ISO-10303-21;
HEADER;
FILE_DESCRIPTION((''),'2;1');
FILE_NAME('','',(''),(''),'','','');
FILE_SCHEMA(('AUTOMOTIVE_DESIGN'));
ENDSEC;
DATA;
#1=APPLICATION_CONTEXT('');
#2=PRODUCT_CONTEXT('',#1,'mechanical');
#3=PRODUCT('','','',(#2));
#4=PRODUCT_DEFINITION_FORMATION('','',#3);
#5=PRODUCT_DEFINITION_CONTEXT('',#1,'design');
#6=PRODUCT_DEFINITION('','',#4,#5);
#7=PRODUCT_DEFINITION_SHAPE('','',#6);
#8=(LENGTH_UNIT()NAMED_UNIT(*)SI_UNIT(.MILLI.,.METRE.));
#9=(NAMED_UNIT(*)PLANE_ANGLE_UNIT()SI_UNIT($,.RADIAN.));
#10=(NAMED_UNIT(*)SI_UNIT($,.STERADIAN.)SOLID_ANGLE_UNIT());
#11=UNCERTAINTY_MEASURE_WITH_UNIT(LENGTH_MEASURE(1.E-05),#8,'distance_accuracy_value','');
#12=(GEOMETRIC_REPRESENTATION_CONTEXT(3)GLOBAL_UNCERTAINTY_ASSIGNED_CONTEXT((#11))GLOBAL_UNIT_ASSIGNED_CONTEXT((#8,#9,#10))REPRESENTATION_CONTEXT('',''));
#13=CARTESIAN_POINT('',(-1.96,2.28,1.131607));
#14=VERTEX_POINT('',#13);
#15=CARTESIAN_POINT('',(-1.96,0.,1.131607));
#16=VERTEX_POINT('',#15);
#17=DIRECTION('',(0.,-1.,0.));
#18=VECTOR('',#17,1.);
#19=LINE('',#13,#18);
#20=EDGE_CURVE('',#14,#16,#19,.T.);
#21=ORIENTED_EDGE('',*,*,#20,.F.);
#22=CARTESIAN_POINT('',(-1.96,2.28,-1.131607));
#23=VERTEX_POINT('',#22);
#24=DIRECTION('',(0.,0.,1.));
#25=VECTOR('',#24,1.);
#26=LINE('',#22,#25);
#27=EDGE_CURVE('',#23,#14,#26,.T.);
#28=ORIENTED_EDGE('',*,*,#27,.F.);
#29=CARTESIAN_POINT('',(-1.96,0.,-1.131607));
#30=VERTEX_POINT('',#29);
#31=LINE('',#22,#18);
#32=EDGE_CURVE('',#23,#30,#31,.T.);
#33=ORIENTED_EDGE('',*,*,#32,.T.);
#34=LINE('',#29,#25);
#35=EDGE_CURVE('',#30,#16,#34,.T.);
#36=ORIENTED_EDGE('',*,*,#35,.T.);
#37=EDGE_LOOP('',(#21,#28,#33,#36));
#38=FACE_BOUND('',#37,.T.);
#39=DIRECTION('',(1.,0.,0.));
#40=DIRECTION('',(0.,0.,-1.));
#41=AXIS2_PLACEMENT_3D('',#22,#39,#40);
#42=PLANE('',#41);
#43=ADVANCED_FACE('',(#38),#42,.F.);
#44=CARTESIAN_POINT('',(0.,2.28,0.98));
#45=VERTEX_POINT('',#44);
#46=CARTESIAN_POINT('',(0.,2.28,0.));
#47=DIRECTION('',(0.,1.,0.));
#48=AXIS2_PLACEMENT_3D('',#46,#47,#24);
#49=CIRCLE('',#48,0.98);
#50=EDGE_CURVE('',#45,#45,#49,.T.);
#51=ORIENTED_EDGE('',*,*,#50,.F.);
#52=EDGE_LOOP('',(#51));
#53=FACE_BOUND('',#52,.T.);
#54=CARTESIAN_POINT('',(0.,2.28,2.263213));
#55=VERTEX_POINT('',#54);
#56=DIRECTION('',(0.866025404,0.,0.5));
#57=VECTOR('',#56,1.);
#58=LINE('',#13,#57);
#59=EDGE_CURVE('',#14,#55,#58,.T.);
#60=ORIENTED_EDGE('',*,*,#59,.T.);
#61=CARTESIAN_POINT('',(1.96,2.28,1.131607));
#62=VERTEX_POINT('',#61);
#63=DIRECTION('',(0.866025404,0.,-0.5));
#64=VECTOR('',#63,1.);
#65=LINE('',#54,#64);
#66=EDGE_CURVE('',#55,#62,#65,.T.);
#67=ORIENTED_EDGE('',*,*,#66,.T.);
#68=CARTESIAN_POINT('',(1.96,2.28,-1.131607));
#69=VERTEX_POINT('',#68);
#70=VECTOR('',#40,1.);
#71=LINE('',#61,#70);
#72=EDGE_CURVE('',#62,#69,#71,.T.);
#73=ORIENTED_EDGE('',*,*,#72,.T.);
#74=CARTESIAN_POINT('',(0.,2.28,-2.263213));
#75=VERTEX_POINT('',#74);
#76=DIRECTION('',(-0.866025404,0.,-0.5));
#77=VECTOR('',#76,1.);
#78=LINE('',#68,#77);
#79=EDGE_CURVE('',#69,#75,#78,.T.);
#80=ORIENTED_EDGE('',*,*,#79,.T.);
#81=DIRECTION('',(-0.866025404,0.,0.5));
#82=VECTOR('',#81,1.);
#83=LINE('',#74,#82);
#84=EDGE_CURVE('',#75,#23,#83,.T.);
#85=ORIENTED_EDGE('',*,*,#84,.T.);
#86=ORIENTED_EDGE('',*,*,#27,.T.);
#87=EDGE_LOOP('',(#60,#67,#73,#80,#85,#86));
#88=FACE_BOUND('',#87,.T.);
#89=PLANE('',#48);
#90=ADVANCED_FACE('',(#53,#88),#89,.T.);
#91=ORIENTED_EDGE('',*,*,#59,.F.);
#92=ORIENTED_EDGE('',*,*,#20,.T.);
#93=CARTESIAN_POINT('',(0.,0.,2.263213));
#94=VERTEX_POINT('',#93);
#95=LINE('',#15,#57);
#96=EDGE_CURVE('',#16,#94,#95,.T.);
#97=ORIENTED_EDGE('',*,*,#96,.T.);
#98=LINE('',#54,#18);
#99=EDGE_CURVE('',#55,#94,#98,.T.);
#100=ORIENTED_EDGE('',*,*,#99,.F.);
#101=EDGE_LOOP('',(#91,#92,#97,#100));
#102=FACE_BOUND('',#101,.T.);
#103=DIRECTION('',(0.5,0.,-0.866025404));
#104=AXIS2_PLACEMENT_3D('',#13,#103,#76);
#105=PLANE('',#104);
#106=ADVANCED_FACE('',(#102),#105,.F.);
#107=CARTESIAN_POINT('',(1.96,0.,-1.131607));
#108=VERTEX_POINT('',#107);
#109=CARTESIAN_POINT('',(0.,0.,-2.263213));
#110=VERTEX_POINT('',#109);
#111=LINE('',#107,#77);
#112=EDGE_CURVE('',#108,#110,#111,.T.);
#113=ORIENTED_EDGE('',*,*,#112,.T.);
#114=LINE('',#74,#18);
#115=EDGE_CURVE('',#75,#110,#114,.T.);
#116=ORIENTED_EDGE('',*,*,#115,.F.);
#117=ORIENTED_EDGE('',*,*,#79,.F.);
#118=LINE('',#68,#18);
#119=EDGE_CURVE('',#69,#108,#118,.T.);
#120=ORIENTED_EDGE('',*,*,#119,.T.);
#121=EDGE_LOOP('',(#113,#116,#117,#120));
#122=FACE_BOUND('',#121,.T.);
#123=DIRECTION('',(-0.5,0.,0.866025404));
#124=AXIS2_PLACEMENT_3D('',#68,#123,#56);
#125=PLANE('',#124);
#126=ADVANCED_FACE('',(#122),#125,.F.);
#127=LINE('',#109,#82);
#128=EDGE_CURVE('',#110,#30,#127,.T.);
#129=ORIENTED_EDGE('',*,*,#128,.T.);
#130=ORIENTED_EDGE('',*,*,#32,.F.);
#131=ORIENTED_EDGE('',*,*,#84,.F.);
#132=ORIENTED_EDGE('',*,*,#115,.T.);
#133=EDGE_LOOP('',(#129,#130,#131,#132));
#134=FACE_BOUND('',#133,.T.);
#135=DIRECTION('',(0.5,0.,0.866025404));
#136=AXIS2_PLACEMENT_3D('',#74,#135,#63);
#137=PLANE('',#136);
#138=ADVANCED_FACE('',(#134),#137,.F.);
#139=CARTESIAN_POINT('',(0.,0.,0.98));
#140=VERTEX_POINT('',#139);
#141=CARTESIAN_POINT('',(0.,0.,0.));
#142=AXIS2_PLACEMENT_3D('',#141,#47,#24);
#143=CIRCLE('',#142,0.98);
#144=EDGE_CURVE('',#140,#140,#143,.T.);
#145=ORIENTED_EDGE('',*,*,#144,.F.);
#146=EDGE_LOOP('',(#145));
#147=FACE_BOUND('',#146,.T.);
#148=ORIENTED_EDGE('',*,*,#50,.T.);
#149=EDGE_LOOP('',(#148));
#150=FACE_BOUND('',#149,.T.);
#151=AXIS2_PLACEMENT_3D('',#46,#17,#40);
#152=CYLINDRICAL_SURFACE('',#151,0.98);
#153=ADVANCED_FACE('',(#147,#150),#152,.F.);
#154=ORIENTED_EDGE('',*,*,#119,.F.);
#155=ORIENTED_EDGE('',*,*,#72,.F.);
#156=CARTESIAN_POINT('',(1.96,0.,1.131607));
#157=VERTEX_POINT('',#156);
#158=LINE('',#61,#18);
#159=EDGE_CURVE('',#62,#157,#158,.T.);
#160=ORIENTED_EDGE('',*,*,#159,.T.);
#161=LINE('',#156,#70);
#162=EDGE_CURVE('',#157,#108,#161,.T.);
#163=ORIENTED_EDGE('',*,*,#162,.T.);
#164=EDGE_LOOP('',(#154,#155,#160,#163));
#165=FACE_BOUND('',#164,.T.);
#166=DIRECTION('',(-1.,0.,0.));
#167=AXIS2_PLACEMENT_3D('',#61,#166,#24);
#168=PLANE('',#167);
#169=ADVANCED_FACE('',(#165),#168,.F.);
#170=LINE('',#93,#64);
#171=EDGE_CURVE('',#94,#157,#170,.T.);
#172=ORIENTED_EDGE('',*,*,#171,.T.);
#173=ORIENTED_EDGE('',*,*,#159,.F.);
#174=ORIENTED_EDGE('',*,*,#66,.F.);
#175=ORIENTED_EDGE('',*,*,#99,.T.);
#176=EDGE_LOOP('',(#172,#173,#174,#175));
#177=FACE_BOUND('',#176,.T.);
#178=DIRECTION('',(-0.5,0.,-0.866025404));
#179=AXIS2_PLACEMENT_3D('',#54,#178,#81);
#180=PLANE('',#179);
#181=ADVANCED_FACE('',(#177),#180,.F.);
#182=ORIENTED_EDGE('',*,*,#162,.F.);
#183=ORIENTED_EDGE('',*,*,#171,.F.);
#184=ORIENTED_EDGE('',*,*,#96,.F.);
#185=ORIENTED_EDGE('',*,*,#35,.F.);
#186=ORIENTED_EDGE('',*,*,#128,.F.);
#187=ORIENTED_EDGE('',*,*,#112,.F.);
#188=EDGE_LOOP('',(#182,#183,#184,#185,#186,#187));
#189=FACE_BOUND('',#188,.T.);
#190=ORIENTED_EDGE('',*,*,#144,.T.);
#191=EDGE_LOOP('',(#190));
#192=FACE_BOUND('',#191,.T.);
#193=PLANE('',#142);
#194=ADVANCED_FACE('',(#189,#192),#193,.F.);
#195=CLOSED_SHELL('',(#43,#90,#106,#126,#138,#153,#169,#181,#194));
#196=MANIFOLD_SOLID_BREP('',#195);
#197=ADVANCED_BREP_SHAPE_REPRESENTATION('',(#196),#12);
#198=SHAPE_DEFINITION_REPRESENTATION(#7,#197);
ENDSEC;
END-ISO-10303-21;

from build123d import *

# Parameters (mm, degrees)
SKETCH1_R           = 0.98
BOSS_EXTRUDE1_DEPTH = 2.28


with BuildPart() as part:
    # Sketch1 → Boss-Extrude1 (new body)
    with BuildSketch(Plane(origin=(0, 0, 0), x_dir=(1, 0, 0), z_dir=(0, 1, 0))):
        Polygon((0, -2.263213055), (1.96, -1.131606528), (1.96, 1.131606528), (0, 2.263213055), (-1.96, 1.131606528), (-1.96, -1.131606528), align=None)
        Circle(SKETCH1_R, mode=Mode.SUBTRACT)
    extrude(amount=BOSS_EXTRUDE1_DEPTH)


solid = part.part
